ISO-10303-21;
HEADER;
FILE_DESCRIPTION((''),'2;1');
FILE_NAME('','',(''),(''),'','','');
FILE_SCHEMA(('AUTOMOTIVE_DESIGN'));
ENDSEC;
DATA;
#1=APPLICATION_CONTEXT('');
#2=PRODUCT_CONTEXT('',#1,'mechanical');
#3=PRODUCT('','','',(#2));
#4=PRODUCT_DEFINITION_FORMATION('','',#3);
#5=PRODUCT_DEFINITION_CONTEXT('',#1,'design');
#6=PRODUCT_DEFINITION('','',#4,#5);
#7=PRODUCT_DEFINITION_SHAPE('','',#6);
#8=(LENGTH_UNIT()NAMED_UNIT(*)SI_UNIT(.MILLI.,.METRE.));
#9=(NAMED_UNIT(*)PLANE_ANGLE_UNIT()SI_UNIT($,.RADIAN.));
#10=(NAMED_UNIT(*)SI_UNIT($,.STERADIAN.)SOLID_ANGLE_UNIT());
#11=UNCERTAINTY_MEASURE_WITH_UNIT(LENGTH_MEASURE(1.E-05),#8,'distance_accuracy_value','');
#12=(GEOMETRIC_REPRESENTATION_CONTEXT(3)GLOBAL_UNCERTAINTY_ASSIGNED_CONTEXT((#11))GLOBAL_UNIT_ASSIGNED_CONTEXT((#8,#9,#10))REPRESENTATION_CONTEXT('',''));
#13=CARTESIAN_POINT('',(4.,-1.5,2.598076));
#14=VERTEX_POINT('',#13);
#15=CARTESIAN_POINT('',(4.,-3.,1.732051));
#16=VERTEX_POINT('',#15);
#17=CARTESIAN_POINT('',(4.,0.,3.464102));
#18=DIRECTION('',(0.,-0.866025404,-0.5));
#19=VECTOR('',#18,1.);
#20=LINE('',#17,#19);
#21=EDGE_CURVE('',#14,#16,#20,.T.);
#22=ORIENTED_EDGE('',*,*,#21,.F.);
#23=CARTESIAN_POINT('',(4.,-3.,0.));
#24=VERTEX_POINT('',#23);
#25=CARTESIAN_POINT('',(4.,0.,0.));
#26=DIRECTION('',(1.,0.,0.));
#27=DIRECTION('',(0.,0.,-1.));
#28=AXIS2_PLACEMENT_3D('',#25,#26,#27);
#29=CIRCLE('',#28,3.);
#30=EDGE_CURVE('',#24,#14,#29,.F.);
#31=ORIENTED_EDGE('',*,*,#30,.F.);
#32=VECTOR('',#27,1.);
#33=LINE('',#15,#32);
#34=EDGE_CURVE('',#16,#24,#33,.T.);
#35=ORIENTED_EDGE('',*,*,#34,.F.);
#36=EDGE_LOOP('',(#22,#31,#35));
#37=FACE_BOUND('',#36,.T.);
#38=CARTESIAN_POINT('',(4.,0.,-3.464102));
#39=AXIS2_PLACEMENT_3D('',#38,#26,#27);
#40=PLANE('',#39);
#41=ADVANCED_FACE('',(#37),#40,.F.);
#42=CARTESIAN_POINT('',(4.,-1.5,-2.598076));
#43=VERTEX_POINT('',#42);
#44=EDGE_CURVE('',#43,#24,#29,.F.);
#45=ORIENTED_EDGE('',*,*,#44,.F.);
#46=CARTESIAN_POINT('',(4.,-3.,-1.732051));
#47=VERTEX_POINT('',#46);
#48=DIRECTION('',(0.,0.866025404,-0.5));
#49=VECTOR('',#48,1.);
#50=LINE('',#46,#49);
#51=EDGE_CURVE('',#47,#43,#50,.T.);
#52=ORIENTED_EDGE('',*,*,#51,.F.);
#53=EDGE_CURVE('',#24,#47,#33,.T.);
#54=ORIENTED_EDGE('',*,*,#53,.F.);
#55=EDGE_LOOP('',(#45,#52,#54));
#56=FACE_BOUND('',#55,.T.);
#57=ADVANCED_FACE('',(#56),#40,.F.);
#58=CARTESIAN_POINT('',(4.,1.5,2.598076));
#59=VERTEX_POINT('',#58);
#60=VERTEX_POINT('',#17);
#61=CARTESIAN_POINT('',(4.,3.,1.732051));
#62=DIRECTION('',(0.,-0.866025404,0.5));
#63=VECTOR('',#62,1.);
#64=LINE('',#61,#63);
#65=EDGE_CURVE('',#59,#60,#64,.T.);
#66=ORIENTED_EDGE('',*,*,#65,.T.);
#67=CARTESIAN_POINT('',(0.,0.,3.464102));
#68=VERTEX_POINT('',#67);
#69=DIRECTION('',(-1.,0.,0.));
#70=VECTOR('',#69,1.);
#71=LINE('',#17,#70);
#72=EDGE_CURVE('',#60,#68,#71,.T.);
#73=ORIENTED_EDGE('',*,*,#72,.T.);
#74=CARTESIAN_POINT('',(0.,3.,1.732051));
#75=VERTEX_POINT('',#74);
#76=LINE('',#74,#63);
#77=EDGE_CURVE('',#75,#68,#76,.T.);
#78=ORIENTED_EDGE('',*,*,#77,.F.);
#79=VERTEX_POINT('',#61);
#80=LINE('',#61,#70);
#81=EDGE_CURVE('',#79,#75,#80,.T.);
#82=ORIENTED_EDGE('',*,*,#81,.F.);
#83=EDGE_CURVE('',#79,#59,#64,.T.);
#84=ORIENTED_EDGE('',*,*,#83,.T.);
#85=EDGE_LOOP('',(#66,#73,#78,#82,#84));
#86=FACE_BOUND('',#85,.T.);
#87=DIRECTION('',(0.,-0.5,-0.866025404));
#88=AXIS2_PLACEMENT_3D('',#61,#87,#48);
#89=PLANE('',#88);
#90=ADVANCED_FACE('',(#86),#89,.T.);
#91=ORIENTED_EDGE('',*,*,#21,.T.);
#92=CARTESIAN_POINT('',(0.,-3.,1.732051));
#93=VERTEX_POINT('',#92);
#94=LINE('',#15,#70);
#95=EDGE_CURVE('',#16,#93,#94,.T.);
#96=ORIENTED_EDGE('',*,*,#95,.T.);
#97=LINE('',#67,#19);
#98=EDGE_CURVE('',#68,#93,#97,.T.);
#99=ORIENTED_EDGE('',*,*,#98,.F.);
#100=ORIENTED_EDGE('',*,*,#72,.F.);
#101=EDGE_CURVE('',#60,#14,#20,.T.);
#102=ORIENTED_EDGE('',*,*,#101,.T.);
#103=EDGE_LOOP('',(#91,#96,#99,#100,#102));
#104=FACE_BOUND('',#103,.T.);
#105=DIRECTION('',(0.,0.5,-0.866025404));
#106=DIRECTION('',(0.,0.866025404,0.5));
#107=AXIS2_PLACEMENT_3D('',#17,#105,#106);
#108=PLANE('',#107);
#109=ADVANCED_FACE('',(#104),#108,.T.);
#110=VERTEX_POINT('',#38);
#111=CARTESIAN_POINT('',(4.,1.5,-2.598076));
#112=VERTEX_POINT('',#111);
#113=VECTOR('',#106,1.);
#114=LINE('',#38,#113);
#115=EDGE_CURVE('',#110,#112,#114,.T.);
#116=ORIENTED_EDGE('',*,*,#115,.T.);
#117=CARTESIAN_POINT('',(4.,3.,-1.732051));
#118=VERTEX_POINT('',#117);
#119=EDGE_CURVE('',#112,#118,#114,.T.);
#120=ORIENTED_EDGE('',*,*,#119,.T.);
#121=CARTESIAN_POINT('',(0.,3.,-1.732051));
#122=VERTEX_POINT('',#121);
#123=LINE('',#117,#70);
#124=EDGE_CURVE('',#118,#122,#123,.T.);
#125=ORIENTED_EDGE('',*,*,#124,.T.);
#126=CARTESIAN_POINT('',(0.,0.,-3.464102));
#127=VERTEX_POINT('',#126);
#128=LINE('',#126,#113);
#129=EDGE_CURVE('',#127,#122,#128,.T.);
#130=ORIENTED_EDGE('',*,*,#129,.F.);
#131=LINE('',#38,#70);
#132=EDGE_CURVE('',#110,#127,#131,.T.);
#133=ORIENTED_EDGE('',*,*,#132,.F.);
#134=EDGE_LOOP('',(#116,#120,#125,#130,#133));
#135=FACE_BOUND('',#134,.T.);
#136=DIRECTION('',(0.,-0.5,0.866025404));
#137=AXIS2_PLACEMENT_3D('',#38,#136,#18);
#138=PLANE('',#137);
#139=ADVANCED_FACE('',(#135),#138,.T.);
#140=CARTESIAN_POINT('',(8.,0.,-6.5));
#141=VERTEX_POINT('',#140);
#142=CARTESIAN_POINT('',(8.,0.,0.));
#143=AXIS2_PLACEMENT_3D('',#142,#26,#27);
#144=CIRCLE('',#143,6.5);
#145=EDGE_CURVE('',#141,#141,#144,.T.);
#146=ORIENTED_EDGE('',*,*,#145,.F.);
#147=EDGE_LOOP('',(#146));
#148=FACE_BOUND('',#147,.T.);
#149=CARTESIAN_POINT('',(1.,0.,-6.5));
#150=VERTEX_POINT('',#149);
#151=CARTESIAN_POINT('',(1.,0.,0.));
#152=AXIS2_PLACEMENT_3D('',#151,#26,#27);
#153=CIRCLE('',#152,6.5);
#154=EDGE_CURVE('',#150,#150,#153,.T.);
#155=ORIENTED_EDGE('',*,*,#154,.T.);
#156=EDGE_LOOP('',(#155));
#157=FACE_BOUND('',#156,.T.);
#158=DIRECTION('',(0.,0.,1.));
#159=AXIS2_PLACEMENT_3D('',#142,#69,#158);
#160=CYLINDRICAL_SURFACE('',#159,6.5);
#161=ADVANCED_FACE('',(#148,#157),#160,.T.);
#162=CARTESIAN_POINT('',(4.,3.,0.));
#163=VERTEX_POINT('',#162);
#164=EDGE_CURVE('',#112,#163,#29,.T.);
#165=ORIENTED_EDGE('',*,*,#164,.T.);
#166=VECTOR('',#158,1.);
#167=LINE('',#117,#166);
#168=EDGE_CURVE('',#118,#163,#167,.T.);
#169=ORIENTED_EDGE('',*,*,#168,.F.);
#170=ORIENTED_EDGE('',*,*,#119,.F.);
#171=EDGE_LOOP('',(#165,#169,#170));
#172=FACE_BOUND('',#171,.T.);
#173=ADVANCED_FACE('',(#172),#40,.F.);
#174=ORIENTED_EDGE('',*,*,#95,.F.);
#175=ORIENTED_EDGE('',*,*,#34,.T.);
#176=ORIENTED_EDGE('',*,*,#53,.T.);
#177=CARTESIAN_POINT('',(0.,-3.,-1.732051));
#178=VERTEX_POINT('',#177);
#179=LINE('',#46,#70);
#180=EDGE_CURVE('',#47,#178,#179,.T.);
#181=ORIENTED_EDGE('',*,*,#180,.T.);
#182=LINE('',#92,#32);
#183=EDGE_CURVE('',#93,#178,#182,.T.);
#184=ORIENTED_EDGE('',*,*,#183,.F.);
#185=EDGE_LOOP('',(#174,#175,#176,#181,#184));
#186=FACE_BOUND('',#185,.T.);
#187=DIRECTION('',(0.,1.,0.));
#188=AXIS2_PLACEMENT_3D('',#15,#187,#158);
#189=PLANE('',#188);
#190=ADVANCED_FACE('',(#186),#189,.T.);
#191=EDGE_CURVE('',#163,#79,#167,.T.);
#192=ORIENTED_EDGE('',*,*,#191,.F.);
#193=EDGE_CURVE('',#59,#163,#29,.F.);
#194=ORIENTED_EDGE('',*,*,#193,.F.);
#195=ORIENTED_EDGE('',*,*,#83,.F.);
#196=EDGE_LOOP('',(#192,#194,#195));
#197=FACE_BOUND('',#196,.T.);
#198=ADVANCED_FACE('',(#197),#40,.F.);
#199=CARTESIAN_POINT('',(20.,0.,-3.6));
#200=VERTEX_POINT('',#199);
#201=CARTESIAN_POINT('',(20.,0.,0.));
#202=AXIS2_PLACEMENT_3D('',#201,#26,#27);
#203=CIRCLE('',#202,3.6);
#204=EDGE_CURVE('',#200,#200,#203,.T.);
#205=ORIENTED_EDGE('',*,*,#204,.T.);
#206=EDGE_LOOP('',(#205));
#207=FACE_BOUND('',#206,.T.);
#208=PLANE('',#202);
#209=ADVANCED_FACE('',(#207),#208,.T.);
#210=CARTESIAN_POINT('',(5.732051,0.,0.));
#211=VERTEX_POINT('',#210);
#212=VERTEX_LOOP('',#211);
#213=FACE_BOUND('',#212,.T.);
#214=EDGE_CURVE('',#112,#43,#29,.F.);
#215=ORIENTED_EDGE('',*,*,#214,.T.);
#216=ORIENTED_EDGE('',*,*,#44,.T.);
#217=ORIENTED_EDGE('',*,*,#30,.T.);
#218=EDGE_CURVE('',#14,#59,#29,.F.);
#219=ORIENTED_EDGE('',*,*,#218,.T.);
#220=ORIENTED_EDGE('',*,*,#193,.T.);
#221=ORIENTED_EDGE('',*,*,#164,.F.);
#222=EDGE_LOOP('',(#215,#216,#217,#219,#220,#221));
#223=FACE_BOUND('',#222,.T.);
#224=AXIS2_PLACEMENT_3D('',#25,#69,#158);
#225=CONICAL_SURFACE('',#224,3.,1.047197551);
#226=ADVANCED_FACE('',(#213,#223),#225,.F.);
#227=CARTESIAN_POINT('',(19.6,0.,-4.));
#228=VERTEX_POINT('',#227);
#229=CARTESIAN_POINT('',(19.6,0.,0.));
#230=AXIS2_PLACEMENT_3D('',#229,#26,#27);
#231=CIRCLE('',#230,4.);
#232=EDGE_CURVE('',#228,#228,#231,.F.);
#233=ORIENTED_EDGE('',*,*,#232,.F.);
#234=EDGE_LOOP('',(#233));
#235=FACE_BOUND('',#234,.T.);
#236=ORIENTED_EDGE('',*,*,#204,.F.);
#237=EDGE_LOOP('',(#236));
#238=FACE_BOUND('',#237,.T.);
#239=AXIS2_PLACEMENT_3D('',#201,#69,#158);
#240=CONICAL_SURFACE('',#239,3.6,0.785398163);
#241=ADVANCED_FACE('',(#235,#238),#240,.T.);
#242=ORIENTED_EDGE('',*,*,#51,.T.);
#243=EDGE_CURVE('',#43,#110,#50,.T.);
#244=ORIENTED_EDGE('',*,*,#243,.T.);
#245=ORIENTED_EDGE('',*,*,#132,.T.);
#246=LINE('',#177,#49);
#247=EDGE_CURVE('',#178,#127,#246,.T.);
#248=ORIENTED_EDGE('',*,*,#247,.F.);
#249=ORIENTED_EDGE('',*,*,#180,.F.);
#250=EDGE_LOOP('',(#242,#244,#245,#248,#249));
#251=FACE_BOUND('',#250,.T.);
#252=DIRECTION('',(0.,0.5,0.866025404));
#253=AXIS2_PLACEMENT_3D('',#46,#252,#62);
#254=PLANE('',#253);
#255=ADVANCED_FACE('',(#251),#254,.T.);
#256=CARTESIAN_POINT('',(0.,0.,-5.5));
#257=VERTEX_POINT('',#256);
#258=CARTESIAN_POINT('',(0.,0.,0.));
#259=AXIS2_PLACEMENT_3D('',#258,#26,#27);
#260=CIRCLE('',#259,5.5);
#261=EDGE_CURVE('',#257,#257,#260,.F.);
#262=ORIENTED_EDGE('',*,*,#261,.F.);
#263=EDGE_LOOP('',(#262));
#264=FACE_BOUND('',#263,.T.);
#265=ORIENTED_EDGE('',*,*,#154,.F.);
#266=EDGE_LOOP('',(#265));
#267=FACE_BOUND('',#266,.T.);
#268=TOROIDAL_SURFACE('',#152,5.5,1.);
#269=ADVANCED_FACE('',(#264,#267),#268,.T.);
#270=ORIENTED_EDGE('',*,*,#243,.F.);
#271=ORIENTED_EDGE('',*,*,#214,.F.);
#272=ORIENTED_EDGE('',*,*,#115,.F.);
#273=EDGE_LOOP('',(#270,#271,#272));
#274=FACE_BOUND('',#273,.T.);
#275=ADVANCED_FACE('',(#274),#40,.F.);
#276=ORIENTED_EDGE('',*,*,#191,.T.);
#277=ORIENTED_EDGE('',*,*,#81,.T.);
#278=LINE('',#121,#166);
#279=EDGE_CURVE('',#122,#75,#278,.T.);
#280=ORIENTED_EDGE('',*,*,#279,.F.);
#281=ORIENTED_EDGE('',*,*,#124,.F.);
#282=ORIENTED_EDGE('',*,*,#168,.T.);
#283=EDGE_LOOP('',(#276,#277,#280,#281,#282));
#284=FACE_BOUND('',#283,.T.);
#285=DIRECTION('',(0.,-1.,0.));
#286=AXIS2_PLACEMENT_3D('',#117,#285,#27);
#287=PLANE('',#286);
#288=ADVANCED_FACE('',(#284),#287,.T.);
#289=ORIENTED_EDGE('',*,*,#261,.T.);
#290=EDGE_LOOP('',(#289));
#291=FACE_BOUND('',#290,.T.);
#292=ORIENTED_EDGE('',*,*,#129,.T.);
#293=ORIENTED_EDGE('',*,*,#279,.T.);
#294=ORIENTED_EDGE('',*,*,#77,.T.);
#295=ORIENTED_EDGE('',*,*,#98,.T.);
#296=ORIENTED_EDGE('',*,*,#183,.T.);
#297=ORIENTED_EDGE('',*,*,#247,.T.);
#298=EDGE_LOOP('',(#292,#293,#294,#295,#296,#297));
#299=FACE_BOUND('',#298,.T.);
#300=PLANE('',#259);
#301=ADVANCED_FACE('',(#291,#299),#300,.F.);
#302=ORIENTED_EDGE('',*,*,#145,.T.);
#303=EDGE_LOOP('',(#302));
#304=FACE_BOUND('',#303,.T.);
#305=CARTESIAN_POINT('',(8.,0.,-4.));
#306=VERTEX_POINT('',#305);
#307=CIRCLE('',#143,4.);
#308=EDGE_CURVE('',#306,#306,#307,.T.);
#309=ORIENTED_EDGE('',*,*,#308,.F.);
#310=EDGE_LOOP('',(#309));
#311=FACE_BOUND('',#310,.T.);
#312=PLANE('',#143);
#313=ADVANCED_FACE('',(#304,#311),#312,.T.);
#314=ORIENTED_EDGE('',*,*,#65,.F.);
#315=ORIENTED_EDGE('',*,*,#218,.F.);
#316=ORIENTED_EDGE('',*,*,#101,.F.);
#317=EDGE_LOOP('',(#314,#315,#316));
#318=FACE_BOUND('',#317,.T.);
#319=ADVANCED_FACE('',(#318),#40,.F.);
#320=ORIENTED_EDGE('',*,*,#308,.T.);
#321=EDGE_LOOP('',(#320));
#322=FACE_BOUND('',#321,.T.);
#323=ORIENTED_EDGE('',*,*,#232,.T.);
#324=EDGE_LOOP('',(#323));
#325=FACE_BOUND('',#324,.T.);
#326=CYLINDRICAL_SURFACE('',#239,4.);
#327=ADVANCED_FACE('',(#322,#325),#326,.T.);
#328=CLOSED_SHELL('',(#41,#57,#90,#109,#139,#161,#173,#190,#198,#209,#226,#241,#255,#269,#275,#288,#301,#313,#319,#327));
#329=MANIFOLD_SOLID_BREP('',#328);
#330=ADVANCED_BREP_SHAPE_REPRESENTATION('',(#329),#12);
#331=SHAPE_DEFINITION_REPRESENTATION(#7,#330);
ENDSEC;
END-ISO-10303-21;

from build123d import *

# Parameters (mm, degrees)
SKETCH1_R           = 6.5
BASEHEAD_DEPTH      = 8
SKETCH2_R           = 4
BASEBODY_DEPTH      = 12
HEXAGONSOCKET_DEPTH = 4
TOPFILLET_R         = 1
CHAMFER1_SIZE       = 0.4


with BuildPart() as part:
    # Sketch1 → BaseHead (new body)
    with BuildSketch(Plane(origin=(0, 0, 0), x_dir=(0, 0, -1), z_dir=(1, 0, 0))):
        Circle(SKETCH1_R)
    extrude(amount=BASEHEAD_DEPTH)

    # Sketch2 → BaseBody (add)
    with BuildSketch(Plane(origin=(8, 0, 0), x_dir=(0, 0, -1), z_dir=(1, 0, 0))):
        Circle(SKETCH2_R)
    extrude(amount=BASEBODY_DEPTH)

    # Sketch3 → HexagonSocket (cut)
    with BuildSketch(Plane(origin=(0, 0, 0), x_dir=(0, 0, -1), z_dir=(1, 0, 0))):
        Polygon((3.464101615, 0), (1.732050808, 3), (-1.732050808, 3), (-3.464101615, 0), (-1.732050808, -3), (1.732050808, -3), align=None)
    extrude(amount=HEXAGONSOCKET_DEPTH, mode=Mode.SUBTRACT)

    # Sketch4 → Cut-Revolve1 (revolve, cut)
    with BuildSketch(Plane(origin=(-4.19613823, 0.75, 0), x_dir=(-1, 0, 0), z_dir=(0, 0, 1)), mode=Mode.PRIVATE) as cut_revolve1_sk:
        Polygon((-8.19613823, 3.75), (-9.928189037, 0.75), (-8.19613823, 0.75), align=None)
    revolve(cut_revolve1_sk.sketch.rotate(Axis((0.838992387, 0, 0), (-1, 0, 0)), 90), axis=Axis((0.838992387, 0, 0), (-1, 0, 0)), mode=Mode.SUBTRACT)

    # TopFillet
    topfillet_edges = [part.edges().sort_by_distance(p)[0] for p in [
        (0, 0, 6.5),
    ]]
    fillet(topfillet_edges, radius=TOPFILLET_R)

    # Chamfer1
    chamfer1_edges = [part.edges().sort_by_distance(p)[0] for p in [
        (20, 0, 4),
    ]]
    chamfer(chamfer1_edges, length=CHAMFER1_SIZE)


solid = part.part
